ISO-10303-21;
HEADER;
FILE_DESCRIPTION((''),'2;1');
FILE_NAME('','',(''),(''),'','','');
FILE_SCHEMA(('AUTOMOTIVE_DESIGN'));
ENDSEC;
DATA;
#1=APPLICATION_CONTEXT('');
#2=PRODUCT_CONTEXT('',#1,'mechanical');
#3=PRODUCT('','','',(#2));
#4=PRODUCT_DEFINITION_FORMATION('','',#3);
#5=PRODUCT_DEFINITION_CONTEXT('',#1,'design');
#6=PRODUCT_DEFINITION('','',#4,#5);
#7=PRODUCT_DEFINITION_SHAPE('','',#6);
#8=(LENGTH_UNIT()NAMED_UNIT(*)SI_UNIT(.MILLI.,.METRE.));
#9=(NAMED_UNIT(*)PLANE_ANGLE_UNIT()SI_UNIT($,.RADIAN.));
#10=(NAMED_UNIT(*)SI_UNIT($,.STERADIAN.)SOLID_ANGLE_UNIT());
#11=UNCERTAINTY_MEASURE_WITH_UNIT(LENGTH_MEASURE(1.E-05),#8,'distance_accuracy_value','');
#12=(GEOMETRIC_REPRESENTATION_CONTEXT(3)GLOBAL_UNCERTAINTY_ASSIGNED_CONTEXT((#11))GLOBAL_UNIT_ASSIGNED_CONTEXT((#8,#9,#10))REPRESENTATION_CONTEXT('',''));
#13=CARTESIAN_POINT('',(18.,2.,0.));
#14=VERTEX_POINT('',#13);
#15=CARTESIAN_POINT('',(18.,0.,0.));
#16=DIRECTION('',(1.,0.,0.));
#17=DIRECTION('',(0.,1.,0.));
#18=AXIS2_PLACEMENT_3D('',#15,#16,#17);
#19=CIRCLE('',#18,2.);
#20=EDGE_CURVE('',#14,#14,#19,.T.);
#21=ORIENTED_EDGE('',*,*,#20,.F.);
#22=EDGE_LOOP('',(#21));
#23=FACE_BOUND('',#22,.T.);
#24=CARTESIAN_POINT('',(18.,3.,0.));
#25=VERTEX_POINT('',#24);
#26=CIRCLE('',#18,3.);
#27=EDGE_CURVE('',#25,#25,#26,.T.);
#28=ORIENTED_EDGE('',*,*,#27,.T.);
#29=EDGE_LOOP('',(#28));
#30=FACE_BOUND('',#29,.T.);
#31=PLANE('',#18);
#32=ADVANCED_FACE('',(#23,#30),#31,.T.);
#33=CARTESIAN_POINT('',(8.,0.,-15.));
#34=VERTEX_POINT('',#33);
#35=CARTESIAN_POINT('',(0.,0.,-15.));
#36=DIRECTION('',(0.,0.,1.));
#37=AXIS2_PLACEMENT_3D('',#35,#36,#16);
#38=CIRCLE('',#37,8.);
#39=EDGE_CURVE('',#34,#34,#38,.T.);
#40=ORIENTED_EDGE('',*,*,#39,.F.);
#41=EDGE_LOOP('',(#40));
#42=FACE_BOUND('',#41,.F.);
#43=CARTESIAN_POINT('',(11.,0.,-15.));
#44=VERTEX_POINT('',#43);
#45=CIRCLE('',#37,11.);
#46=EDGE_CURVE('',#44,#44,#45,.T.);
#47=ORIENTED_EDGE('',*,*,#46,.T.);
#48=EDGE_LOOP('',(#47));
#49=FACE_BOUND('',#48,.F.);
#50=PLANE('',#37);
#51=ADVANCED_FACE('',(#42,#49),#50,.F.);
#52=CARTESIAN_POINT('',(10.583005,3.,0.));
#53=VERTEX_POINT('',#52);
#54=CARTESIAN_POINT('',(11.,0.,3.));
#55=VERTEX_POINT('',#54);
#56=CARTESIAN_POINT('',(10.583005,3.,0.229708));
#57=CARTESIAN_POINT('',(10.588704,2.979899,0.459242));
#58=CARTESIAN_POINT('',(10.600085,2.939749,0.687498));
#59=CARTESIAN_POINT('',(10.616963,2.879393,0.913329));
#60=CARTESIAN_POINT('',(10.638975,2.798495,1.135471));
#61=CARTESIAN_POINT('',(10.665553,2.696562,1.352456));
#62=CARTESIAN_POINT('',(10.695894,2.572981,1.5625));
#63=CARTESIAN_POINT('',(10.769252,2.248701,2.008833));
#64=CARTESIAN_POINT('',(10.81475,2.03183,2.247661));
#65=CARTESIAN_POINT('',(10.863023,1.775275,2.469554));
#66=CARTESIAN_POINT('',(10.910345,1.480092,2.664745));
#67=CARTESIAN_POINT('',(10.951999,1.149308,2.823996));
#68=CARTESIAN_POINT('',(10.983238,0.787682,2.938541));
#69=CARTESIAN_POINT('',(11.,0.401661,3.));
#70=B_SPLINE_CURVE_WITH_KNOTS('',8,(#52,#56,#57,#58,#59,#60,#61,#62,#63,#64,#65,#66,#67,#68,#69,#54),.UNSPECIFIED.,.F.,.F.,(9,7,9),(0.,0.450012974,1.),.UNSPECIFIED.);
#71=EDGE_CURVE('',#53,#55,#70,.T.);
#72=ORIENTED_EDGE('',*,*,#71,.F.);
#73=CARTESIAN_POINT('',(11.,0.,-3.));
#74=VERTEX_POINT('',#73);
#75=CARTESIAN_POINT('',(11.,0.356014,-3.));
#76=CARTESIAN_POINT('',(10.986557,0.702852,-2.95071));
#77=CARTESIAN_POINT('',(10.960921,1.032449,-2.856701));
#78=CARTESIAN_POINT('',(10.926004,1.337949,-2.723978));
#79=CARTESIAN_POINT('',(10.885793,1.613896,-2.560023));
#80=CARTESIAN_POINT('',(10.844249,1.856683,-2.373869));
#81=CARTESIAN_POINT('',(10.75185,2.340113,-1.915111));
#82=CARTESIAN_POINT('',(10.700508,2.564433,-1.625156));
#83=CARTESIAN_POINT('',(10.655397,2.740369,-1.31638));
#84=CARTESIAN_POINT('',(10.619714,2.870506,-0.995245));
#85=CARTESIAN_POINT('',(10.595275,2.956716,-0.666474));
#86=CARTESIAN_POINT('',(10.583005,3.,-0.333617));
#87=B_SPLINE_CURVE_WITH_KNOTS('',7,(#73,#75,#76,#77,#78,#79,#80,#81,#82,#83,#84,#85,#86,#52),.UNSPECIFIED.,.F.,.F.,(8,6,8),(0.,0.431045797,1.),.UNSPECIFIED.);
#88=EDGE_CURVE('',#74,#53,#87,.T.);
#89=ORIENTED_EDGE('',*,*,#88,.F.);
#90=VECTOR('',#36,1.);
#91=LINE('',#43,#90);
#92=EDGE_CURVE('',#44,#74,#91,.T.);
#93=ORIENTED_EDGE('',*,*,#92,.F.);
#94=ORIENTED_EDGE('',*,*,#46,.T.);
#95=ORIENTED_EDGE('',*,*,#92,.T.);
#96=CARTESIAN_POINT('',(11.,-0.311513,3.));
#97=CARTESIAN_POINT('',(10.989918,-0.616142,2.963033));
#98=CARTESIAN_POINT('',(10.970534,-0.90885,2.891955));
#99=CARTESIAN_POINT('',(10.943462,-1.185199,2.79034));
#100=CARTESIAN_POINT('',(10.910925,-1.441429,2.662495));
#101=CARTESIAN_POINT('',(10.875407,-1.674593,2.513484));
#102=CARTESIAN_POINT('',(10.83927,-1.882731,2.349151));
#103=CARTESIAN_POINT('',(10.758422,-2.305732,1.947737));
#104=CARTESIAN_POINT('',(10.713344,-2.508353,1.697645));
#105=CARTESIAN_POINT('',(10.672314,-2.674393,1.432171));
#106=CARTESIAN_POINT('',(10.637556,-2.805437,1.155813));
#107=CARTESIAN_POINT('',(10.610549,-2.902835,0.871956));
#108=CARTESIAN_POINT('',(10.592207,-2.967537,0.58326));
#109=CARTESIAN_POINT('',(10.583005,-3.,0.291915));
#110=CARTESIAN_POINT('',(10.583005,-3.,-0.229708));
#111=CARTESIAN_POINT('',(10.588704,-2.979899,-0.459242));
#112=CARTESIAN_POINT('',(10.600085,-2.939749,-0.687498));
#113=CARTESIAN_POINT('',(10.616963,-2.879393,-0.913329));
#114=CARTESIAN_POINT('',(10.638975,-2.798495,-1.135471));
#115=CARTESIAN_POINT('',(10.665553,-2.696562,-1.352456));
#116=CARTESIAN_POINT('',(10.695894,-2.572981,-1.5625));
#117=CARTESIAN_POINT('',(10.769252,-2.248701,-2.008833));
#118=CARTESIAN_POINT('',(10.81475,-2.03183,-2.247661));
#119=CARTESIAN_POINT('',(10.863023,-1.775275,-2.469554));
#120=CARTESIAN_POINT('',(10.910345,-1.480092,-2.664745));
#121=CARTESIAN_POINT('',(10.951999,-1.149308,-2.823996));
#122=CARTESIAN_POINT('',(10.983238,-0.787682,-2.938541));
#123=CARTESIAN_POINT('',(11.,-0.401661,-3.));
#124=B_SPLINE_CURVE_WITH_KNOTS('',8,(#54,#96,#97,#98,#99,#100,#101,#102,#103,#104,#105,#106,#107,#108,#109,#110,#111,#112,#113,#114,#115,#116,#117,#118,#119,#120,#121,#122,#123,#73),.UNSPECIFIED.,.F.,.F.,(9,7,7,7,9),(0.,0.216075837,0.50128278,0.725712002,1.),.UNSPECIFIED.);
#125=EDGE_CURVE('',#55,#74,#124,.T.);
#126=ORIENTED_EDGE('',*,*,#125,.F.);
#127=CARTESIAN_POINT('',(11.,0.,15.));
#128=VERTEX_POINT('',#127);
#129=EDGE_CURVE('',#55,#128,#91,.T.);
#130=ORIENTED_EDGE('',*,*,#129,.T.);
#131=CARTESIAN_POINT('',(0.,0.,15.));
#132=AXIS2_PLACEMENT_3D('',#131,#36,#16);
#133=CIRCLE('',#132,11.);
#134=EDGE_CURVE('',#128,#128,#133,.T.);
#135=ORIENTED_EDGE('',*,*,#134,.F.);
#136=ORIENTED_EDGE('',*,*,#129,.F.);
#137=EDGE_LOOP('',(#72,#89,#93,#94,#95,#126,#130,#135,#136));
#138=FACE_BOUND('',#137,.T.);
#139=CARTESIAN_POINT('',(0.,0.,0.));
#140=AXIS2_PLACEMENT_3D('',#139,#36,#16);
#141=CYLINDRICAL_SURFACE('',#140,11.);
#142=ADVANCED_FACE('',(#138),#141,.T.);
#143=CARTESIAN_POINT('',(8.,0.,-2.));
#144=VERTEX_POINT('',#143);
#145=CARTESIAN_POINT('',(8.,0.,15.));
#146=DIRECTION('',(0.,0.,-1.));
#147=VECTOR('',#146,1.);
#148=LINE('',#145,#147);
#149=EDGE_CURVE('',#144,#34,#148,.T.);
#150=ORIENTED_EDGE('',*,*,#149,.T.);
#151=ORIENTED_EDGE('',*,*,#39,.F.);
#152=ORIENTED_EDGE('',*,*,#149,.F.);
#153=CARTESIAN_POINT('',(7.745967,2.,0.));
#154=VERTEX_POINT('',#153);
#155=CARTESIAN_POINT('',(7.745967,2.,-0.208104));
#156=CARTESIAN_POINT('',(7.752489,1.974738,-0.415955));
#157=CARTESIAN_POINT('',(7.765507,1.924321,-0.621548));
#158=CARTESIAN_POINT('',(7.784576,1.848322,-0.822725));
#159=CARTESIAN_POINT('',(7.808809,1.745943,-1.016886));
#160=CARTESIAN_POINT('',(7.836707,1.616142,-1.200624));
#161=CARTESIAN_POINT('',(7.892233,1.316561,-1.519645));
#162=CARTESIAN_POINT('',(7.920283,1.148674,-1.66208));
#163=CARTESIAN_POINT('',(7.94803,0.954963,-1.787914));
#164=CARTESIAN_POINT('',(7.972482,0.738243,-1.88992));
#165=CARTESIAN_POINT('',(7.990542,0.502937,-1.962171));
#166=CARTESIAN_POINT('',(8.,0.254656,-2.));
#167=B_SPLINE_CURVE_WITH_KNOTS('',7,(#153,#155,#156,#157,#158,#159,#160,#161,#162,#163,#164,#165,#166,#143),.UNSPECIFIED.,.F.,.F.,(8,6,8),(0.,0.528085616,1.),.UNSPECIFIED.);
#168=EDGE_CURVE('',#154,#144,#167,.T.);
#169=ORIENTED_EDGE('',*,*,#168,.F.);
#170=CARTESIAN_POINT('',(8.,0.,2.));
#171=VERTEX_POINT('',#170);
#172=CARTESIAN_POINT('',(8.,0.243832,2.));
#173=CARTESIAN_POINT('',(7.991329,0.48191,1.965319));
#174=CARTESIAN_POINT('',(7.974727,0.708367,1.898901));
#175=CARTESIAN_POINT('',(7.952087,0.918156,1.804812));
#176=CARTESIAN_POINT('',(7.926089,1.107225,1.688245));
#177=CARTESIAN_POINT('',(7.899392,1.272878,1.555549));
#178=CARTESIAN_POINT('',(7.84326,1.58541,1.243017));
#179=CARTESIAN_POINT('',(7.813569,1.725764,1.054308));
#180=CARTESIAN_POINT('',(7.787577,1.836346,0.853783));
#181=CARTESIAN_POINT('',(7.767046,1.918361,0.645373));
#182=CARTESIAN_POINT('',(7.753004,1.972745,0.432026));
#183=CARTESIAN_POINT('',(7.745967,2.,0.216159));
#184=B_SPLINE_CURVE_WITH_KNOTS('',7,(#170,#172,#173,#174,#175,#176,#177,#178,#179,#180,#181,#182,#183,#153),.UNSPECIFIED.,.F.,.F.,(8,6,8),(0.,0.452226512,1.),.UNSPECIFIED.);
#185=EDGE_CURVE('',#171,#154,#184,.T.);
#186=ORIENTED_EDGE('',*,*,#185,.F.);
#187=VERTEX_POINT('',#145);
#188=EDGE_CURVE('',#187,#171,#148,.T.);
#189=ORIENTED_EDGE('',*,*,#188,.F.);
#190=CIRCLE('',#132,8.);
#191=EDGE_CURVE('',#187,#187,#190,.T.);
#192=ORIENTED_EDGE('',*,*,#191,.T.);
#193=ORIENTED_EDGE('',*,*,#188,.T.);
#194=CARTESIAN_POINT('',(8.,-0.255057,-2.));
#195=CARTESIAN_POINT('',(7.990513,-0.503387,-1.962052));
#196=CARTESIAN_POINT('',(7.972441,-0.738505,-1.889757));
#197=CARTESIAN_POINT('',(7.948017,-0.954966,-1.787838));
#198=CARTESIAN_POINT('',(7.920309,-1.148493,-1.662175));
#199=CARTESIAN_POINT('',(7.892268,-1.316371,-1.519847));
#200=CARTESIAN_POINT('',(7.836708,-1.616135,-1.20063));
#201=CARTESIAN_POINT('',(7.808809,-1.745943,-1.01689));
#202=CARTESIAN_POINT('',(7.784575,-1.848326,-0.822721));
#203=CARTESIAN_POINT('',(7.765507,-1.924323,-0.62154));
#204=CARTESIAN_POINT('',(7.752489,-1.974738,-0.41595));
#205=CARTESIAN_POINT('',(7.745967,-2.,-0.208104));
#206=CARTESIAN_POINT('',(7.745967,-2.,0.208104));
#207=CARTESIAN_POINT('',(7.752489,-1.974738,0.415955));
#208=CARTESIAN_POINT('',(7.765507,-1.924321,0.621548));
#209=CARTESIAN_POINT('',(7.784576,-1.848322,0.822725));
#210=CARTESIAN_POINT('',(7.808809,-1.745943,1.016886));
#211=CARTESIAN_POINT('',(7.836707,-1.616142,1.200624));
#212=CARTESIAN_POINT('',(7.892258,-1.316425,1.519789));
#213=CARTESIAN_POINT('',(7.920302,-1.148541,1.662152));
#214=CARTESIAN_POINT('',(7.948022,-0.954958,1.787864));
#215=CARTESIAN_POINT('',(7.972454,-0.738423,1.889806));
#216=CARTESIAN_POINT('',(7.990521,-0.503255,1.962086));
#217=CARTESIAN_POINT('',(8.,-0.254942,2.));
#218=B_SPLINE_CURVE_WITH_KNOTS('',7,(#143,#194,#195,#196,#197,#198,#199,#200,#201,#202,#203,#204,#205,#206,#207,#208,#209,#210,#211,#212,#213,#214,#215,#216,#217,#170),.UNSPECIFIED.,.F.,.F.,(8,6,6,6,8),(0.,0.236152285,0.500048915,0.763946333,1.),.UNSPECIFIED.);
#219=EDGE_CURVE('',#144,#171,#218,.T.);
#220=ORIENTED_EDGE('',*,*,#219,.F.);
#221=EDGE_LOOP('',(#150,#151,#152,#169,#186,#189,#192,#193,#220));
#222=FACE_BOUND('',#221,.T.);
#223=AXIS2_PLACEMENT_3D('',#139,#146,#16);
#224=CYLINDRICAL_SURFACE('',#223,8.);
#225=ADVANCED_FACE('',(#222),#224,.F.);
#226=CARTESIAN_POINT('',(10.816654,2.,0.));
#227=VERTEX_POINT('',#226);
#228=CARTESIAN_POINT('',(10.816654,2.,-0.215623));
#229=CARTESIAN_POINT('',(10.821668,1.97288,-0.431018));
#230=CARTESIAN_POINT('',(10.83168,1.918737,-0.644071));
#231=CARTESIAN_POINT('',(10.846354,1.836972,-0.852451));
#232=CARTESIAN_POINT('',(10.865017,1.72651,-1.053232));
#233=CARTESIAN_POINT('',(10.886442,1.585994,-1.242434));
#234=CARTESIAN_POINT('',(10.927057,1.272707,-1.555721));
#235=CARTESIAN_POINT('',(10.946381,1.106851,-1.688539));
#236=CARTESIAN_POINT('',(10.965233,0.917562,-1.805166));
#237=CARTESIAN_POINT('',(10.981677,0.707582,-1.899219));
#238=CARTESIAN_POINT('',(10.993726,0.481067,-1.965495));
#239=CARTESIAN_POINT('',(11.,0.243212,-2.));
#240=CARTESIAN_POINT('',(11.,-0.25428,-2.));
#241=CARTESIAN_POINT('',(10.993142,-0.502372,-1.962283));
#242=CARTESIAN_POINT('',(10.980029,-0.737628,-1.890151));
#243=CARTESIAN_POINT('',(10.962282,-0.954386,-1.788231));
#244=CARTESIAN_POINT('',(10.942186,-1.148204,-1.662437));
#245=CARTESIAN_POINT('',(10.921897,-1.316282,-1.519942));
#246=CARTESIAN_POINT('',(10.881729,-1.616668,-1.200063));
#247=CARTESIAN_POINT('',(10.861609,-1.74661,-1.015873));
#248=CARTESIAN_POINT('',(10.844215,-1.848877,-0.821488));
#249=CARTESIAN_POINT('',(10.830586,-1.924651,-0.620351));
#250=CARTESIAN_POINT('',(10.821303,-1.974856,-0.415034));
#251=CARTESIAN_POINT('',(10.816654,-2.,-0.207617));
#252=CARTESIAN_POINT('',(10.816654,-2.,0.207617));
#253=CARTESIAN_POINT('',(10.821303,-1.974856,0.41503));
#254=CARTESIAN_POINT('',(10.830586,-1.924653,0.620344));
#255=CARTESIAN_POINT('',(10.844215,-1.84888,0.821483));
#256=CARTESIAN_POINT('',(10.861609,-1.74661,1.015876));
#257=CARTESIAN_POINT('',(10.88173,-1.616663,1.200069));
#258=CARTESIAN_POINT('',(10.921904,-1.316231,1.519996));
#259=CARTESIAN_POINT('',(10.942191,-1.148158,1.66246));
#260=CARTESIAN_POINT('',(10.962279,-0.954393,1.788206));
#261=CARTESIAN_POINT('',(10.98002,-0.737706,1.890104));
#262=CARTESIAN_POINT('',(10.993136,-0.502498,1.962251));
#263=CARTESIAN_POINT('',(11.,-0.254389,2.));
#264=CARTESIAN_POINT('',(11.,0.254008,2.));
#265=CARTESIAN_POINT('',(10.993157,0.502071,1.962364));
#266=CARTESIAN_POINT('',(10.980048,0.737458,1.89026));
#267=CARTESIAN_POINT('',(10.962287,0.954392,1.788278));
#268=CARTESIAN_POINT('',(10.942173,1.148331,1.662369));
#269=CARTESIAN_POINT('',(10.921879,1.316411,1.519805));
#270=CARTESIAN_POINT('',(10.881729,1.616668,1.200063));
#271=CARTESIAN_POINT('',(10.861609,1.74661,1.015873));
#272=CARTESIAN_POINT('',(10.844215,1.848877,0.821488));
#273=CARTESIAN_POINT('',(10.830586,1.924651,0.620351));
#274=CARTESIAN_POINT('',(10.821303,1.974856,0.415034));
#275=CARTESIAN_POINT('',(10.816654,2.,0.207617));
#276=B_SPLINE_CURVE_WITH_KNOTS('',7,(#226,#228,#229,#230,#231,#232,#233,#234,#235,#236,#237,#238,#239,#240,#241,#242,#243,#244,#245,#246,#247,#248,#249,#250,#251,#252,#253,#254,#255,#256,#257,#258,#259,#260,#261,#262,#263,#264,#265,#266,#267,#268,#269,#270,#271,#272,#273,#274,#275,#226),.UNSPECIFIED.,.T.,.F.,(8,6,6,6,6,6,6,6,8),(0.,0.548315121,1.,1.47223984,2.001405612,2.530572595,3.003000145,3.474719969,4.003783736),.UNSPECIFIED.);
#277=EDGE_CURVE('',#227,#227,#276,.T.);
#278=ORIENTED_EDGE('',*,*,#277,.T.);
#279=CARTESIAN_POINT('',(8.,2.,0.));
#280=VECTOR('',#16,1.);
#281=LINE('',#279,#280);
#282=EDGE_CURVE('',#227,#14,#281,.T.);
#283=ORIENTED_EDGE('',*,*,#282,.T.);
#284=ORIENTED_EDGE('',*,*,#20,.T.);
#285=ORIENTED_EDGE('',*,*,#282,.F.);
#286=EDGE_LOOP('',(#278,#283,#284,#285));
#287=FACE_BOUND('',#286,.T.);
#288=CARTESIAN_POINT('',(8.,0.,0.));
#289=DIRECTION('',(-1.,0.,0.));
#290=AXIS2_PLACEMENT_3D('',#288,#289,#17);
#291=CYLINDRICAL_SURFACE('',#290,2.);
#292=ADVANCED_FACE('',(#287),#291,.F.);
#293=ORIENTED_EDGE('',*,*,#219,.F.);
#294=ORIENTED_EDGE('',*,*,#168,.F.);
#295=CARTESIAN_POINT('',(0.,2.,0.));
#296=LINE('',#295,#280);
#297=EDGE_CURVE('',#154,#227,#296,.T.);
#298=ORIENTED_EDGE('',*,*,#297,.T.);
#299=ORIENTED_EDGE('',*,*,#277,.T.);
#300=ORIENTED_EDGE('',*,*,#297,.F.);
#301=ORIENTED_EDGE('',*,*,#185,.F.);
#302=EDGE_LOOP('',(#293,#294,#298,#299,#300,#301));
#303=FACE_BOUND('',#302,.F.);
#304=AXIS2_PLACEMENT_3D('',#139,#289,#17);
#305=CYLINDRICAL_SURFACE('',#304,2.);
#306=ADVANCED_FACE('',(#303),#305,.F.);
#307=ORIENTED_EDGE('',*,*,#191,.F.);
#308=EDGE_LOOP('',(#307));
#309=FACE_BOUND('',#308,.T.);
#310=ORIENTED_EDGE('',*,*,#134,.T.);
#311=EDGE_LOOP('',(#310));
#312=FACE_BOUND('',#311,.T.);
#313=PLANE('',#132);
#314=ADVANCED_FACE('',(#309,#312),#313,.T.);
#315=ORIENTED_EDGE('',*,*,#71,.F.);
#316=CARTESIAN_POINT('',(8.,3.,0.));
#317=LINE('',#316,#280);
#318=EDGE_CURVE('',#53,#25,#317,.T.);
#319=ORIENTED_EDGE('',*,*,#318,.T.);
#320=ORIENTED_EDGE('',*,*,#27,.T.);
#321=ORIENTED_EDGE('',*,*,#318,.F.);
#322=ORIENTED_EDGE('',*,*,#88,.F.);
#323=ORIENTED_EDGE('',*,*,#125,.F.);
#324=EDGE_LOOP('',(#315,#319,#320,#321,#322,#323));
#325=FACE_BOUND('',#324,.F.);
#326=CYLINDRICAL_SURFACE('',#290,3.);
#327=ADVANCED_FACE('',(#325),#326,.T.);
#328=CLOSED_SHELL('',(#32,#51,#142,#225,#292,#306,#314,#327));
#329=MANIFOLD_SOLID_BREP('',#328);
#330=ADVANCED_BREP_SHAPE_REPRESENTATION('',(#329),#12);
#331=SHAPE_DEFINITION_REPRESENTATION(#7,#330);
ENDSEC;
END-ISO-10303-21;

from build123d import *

# Parameters (mm, degrees)
F0_R          = 11
F0_R_2        = 8
F1_DEPTH      = 15
F1_DEPTH_BACK = 15
F4_R          = 3
F4_R_2        = 2
F5_DEPTH      = 10
F6_D          = 4
F6_DEPTH      = 18.0010001


with BuildPart() as f1:
    # F0 (on Top) → F1 (new body, two sides)
    with BuildSketch(Plane.XY) as f1_sk:
        Circle(F0_R)
        Circle(F0_R_2, mode=Mode.SUBTRACT)
    extrude(amount=F1_DEPTH)
    extrude(f1_sk.sketch, amount=-F1_DEPTH_BACK)

    # F4 (on offset) → F5 (join)
    with BuildSketch(Plane.YZ.offset(8)):
        Circle(F4_R)
        Circle(F4_R_2, mode=Mode.SUBTRACT)
    extrude(amount=F5_DEPTH)

    # F6 (through all, one way)
    with BuildSketch(Plane(origin=(0, 0, 0), x_dir=(0, 1, 0), z_dir=(-1, 0, 0))):
        with Locations((0, 0)):
            Circle(F6_D / 2)
    extrude(amount=-F6_DEPTH, mode=Mode.SUBTRACT)


solid = f1.part
